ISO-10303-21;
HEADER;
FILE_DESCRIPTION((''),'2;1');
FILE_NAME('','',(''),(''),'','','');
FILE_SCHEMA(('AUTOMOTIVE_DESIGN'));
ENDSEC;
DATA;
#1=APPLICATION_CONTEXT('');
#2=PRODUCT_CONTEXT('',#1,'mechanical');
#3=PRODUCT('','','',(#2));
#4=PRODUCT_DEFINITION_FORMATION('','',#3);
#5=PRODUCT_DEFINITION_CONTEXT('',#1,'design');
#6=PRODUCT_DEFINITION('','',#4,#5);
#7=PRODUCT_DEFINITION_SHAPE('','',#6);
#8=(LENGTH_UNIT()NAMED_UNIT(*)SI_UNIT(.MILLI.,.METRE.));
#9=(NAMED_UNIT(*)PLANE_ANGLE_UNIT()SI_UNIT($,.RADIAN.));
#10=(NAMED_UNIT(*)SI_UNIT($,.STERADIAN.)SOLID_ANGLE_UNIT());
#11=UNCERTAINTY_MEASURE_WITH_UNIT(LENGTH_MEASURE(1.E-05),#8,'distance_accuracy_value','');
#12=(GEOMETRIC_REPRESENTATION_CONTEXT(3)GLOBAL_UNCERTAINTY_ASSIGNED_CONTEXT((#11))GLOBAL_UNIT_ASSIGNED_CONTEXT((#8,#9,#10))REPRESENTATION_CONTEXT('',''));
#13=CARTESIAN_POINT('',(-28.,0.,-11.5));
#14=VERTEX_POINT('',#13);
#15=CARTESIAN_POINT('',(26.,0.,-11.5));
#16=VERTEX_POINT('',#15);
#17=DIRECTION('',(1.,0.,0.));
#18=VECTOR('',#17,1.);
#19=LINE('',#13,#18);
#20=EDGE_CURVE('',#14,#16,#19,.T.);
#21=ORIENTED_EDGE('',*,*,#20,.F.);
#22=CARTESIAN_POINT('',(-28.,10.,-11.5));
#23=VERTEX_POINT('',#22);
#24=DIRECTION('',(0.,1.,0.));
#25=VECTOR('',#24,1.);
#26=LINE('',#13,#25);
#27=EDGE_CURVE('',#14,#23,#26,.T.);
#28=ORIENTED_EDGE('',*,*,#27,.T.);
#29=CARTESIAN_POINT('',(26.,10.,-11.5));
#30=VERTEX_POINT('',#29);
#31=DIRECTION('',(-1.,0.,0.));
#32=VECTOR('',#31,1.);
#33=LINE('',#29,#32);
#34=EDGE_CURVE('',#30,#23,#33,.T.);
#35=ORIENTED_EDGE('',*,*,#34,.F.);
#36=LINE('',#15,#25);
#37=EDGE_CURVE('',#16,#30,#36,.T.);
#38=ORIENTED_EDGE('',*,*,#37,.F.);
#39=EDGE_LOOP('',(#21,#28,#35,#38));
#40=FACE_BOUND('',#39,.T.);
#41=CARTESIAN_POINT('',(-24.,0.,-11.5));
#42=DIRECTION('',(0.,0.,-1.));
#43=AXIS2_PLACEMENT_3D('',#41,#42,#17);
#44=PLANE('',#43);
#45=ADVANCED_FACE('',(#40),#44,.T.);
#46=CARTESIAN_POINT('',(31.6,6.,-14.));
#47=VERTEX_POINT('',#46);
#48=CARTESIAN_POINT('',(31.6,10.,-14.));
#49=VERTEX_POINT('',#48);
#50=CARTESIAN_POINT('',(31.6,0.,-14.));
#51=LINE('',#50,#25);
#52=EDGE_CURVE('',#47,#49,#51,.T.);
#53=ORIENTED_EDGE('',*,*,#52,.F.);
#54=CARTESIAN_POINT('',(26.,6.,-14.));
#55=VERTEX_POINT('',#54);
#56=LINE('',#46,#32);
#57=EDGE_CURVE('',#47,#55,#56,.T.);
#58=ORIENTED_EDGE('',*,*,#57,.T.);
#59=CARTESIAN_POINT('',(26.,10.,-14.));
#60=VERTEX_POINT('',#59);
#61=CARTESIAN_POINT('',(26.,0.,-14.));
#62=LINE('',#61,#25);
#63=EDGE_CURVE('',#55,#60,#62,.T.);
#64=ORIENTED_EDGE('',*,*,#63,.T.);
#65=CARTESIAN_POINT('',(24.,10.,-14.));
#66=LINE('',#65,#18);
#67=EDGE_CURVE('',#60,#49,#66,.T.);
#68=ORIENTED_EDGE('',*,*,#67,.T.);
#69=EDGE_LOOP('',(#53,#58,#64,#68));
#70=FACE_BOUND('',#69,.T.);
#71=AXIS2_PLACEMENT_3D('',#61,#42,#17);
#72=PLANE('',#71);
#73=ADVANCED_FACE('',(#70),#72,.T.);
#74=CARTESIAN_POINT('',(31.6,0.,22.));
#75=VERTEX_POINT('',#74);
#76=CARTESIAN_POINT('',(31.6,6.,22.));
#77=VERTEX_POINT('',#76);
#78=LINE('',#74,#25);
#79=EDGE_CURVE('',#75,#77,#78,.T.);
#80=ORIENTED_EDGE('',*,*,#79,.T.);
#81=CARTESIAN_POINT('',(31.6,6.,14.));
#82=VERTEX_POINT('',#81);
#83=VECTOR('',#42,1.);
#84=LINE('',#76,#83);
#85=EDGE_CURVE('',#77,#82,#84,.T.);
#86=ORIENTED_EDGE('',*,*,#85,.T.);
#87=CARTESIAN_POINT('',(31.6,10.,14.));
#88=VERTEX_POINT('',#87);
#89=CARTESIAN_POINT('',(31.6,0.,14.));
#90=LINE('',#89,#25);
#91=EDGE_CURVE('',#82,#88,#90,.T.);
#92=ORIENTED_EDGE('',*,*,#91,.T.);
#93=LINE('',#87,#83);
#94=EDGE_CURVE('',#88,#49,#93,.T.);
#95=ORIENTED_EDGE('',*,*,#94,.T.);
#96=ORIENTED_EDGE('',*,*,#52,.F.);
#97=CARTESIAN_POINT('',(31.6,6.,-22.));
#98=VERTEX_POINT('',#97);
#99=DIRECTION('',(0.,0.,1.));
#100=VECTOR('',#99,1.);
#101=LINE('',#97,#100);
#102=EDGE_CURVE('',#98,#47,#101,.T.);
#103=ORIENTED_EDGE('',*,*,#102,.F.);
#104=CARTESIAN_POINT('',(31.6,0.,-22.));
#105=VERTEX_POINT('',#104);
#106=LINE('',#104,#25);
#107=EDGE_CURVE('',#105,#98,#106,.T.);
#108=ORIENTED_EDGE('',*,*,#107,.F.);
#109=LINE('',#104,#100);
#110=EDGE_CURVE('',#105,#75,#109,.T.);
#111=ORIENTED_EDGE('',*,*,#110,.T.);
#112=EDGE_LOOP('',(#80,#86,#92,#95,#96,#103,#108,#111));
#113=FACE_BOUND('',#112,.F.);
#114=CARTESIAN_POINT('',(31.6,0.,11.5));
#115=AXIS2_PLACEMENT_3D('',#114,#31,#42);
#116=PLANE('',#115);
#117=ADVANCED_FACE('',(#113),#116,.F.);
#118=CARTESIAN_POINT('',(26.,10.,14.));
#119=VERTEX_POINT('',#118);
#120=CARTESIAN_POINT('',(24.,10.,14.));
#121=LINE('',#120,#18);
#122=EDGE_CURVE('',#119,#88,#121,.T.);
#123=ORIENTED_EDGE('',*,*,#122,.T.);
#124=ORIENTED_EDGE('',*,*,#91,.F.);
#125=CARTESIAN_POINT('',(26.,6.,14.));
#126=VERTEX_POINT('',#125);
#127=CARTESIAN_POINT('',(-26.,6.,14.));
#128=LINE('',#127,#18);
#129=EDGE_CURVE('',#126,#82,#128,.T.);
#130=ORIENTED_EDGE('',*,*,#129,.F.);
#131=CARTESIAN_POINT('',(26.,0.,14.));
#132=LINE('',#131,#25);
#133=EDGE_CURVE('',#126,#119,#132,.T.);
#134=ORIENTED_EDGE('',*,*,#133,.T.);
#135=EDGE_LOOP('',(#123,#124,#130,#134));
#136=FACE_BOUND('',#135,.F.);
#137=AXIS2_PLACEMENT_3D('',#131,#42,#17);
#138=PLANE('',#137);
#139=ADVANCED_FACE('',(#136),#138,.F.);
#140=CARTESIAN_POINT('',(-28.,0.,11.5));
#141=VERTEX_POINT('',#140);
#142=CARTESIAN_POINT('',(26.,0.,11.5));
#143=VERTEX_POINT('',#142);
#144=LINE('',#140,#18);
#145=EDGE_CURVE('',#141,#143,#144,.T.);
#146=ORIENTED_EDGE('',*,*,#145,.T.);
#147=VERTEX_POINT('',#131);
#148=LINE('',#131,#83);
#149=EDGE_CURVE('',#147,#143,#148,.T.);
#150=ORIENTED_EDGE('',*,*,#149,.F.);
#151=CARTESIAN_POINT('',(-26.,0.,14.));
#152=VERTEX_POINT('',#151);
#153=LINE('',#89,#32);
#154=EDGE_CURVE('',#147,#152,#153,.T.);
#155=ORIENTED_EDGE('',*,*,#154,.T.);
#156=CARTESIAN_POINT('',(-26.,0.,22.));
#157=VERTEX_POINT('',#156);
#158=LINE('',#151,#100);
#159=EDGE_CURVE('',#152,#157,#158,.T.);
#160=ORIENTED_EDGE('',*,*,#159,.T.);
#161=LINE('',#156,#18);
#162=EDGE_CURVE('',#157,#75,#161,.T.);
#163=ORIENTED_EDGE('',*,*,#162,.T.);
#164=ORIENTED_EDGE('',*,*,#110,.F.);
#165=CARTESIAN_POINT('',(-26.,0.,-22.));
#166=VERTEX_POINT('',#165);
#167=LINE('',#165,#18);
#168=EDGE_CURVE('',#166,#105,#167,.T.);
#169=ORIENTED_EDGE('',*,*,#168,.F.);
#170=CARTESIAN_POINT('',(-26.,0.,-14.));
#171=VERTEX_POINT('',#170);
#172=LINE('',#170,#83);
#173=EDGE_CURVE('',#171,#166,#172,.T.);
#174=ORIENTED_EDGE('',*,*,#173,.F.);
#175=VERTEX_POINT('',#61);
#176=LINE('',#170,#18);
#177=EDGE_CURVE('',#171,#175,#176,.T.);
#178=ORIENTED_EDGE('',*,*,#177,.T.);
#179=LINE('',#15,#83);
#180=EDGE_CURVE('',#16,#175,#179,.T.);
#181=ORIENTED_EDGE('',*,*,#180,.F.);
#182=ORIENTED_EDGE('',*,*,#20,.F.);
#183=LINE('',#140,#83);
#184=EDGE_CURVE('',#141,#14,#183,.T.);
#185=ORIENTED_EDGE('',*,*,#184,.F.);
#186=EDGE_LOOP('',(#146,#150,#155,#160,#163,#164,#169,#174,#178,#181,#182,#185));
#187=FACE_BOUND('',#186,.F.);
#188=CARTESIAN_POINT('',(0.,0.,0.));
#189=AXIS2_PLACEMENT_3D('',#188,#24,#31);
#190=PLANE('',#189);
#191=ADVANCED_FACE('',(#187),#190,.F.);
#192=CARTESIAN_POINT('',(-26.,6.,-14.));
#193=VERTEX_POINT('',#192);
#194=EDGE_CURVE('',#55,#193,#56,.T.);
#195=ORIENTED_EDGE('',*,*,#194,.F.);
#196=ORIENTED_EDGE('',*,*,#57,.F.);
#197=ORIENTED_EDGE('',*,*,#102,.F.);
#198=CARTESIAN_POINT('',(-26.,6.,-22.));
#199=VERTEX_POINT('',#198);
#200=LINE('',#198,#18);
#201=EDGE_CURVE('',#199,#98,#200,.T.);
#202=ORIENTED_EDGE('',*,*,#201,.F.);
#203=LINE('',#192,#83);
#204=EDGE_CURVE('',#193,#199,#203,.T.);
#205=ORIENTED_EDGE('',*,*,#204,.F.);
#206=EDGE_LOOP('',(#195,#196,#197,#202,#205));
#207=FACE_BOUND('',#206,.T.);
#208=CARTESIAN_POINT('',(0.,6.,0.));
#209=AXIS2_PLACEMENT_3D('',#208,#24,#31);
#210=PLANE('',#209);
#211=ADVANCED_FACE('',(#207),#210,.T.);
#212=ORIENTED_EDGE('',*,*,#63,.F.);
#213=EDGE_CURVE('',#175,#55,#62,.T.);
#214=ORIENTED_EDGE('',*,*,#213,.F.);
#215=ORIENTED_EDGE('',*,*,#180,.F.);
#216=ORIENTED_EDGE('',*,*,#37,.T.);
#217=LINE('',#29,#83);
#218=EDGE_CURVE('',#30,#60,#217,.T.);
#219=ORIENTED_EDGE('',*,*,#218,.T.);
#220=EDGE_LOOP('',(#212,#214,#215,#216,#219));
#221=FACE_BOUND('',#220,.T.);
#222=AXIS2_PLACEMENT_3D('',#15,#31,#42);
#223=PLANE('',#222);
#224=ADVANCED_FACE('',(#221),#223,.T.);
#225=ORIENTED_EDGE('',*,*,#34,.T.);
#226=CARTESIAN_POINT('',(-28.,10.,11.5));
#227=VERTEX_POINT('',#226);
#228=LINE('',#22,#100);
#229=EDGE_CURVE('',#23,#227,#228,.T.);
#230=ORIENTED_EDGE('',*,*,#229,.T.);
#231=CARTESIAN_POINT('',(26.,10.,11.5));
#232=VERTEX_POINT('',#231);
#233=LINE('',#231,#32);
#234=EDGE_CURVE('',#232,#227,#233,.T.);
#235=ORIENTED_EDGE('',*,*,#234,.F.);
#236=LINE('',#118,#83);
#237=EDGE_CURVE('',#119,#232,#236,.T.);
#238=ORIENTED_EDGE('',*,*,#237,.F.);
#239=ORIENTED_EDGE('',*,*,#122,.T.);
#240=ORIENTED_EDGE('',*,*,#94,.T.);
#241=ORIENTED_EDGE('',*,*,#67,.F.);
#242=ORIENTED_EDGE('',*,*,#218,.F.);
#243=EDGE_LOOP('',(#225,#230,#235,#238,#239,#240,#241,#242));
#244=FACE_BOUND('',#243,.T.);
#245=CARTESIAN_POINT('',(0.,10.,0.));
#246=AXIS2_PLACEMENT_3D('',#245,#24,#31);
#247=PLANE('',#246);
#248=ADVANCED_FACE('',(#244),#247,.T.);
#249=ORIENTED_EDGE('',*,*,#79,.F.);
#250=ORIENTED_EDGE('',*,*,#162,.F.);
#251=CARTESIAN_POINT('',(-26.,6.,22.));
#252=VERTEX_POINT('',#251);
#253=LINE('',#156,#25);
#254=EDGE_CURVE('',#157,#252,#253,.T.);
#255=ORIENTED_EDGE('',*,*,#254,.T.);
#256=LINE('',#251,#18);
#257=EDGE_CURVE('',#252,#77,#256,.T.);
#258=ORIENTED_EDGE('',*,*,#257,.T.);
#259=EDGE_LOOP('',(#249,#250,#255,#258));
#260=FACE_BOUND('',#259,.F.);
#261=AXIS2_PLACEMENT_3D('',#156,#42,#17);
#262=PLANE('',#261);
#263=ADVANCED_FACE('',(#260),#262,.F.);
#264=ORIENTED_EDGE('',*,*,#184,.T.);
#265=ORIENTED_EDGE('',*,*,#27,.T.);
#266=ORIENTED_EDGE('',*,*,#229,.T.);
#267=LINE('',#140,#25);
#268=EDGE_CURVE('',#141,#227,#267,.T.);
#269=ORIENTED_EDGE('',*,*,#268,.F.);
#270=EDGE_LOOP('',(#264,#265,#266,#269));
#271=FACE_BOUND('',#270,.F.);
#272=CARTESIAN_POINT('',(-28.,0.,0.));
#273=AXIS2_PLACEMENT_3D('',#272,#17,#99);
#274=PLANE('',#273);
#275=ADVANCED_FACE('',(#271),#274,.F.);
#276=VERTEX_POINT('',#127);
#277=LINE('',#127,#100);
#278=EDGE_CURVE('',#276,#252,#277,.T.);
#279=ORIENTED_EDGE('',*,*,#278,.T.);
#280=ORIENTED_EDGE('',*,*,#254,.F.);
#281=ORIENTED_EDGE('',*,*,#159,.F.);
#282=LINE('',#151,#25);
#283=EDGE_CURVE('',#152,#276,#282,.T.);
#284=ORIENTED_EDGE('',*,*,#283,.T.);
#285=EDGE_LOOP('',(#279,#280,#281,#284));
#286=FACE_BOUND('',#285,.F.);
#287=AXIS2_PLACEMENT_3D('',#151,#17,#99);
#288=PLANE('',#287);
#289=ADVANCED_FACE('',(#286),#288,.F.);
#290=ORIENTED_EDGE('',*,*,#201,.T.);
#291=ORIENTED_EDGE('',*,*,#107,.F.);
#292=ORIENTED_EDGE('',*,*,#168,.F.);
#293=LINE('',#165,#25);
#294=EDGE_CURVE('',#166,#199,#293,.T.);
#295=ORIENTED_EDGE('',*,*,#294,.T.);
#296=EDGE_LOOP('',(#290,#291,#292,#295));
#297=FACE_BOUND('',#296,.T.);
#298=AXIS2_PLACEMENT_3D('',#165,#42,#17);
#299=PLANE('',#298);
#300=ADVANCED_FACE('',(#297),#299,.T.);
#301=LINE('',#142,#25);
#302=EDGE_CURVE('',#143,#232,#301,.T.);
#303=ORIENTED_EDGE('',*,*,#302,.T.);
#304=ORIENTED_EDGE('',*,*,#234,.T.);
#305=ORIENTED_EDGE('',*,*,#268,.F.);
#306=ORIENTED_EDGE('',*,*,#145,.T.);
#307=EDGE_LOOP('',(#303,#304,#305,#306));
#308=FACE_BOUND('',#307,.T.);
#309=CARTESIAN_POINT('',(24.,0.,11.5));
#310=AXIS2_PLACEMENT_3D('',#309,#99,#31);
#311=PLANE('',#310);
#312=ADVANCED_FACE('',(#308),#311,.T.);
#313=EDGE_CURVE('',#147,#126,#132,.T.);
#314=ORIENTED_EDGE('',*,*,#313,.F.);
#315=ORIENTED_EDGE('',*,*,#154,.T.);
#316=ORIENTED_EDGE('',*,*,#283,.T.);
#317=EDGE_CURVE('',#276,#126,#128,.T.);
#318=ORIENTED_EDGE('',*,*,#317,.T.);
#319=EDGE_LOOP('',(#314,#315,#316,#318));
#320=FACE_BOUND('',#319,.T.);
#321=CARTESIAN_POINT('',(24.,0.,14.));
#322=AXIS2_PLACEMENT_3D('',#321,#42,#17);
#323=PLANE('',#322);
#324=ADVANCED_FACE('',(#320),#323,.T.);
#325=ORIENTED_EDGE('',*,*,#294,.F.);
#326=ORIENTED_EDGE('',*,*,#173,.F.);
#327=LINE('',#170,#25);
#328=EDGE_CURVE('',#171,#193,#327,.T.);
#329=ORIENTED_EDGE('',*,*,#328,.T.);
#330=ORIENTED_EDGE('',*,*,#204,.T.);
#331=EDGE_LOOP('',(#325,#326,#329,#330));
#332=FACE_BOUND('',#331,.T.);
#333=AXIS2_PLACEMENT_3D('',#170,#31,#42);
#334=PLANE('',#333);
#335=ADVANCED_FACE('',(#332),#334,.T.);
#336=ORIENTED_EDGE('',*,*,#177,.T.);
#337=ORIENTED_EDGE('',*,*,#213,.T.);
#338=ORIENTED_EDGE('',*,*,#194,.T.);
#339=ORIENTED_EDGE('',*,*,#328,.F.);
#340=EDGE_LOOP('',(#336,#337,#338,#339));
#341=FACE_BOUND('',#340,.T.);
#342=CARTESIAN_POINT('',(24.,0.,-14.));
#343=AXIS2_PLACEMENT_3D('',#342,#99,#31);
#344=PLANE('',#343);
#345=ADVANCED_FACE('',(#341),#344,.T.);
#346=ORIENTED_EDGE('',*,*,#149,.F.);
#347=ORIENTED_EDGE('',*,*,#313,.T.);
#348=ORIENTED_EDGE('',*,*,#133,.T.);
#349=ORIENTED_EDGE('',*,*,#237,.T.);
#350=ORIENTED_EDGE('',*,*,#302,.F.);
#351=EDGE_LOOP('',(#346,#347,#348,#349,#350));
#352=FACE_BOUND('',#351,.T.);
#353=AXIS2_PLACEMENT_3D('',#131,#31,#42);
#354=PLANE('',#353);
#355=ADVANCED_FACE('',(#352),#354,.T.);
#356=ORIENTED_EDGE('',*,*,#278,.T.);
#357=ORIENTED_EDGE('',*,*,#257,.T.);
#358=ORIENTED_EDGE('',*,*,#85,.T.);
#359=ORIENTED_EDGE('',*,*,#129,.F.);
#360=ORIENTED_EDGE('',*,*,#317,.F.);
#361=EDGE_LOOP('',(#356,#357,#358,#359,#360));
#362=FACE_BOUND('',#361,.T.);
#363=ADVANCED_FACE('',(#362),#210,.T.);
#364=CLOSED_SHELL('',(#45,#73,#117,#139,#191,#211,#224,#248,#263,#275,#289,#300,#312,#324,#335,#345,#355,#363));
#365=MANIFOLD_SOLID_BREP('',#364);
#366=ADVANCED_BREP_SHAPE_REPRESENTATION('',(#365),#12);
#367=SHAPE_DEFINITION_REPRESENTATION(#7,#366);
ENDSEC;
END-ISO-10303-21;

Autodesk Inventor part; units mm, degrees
ref_plane "YZ Plane" through (0, 0, 0) normal (1, 0, 0) x (0, 1, 0)
ref_plane "XZ Plane" through (0, 0, 0) normal (0, 1, 0) x (-1, 0, 0)
ref_plane "XY Plane" through (0, 0, 0) normal (0, 0, 1) x (1, 0, 0)
sketch "Sketch1" plane through (0, 0, 0) normal (0, 1, 0) x (-1, 0, 0)
  line L0 (-24, 11.5) -> (24, 11.5)
  line L1 (24, 11.5) -> (24, -11.5)
  line L2 (24, -11.5) -> (-24, -11.5)
  line L3 (-24, -11.5) -> (-24, 11.5)
  line L4 (-24, 11.5) -> (24, -11.5) construction
  line L5 (24, 11.5) -> (-24, -11.5) construction
  line L6 (24, 11.5) -> (24, -11.5)
  line L7 (24, -11.5) -> (28, -11.5)
  line L8 (28, -11.5) -> (28, 11.5)
  line L9 (28, 11.5) -> (24, 11.5)
  line L10 (-24, -11.5) -> (-24, -14)
  line L11 (-24, -14) -> (26, -14)
  line L12 (26, -14) -> (26, -22)
  line L13 (26, -22) -> (-31.6, -22)
  line L14 (-31.6, -22) -> (-31.6, 0)
  line L15 (28, 0) -> (-31.6, 0)
  line L16 (-24, -11.5) -> (-31.6, -11.5)
  line L17 (-24, -14) -> (-31.6, -14)
  line L18 (24, 11.5) -> (-24, 11.5)
  line L19 (24, 11.5) -> (28, 11.5)
  line L20 (-24, 11.5) -> (-24, 14)
  line L21 (-24, 14) -> (26, 14)
  line L22 (26, 14) -> (26, 22)
  line L23 (26, 22) -> (-31.6, 22)
  line L24 (-31.6, 22) -> (-31.6, 0)
  line L25 (-24, 11.5) -> (-31.6, 11.5)
  line L26 (-24, 14) -> (-31.6, 14)
  line L27 (-26, -11.5) -> (-26, -14)
  line L28 (-26, 14) -> (-26, 11.5)
  point P0 (0, 0)
  dimension "d0" = 23
  dimension "d1" = 48
  dimension "d2" = 8
  dimension "d3" = 2.5
  dimension "d4" = 7.6
  dimension "d5" = 4
  dimension "d12" = 2
  dimension "d13" = 2
extrude "Extrusion1" add sketch "Sketch1" along normal blind 10 contours L0 L1 L15 L3 | L3 L15 L24 L25 | L9 L8 L15 L1 | L15 L1 L2 L3 | L3 L16 L14 L15 | L25 L24 L26 L28 | L15 L8 L7 L1 | L27 L17 L14 L16
extrude "Extrusion2" add sketch "Sketch1" along normal blind 6 contours L26 L24 L23 L22 L21 | L11 L12 L13 L14 L17
properties part number "chaimber-bolt"
